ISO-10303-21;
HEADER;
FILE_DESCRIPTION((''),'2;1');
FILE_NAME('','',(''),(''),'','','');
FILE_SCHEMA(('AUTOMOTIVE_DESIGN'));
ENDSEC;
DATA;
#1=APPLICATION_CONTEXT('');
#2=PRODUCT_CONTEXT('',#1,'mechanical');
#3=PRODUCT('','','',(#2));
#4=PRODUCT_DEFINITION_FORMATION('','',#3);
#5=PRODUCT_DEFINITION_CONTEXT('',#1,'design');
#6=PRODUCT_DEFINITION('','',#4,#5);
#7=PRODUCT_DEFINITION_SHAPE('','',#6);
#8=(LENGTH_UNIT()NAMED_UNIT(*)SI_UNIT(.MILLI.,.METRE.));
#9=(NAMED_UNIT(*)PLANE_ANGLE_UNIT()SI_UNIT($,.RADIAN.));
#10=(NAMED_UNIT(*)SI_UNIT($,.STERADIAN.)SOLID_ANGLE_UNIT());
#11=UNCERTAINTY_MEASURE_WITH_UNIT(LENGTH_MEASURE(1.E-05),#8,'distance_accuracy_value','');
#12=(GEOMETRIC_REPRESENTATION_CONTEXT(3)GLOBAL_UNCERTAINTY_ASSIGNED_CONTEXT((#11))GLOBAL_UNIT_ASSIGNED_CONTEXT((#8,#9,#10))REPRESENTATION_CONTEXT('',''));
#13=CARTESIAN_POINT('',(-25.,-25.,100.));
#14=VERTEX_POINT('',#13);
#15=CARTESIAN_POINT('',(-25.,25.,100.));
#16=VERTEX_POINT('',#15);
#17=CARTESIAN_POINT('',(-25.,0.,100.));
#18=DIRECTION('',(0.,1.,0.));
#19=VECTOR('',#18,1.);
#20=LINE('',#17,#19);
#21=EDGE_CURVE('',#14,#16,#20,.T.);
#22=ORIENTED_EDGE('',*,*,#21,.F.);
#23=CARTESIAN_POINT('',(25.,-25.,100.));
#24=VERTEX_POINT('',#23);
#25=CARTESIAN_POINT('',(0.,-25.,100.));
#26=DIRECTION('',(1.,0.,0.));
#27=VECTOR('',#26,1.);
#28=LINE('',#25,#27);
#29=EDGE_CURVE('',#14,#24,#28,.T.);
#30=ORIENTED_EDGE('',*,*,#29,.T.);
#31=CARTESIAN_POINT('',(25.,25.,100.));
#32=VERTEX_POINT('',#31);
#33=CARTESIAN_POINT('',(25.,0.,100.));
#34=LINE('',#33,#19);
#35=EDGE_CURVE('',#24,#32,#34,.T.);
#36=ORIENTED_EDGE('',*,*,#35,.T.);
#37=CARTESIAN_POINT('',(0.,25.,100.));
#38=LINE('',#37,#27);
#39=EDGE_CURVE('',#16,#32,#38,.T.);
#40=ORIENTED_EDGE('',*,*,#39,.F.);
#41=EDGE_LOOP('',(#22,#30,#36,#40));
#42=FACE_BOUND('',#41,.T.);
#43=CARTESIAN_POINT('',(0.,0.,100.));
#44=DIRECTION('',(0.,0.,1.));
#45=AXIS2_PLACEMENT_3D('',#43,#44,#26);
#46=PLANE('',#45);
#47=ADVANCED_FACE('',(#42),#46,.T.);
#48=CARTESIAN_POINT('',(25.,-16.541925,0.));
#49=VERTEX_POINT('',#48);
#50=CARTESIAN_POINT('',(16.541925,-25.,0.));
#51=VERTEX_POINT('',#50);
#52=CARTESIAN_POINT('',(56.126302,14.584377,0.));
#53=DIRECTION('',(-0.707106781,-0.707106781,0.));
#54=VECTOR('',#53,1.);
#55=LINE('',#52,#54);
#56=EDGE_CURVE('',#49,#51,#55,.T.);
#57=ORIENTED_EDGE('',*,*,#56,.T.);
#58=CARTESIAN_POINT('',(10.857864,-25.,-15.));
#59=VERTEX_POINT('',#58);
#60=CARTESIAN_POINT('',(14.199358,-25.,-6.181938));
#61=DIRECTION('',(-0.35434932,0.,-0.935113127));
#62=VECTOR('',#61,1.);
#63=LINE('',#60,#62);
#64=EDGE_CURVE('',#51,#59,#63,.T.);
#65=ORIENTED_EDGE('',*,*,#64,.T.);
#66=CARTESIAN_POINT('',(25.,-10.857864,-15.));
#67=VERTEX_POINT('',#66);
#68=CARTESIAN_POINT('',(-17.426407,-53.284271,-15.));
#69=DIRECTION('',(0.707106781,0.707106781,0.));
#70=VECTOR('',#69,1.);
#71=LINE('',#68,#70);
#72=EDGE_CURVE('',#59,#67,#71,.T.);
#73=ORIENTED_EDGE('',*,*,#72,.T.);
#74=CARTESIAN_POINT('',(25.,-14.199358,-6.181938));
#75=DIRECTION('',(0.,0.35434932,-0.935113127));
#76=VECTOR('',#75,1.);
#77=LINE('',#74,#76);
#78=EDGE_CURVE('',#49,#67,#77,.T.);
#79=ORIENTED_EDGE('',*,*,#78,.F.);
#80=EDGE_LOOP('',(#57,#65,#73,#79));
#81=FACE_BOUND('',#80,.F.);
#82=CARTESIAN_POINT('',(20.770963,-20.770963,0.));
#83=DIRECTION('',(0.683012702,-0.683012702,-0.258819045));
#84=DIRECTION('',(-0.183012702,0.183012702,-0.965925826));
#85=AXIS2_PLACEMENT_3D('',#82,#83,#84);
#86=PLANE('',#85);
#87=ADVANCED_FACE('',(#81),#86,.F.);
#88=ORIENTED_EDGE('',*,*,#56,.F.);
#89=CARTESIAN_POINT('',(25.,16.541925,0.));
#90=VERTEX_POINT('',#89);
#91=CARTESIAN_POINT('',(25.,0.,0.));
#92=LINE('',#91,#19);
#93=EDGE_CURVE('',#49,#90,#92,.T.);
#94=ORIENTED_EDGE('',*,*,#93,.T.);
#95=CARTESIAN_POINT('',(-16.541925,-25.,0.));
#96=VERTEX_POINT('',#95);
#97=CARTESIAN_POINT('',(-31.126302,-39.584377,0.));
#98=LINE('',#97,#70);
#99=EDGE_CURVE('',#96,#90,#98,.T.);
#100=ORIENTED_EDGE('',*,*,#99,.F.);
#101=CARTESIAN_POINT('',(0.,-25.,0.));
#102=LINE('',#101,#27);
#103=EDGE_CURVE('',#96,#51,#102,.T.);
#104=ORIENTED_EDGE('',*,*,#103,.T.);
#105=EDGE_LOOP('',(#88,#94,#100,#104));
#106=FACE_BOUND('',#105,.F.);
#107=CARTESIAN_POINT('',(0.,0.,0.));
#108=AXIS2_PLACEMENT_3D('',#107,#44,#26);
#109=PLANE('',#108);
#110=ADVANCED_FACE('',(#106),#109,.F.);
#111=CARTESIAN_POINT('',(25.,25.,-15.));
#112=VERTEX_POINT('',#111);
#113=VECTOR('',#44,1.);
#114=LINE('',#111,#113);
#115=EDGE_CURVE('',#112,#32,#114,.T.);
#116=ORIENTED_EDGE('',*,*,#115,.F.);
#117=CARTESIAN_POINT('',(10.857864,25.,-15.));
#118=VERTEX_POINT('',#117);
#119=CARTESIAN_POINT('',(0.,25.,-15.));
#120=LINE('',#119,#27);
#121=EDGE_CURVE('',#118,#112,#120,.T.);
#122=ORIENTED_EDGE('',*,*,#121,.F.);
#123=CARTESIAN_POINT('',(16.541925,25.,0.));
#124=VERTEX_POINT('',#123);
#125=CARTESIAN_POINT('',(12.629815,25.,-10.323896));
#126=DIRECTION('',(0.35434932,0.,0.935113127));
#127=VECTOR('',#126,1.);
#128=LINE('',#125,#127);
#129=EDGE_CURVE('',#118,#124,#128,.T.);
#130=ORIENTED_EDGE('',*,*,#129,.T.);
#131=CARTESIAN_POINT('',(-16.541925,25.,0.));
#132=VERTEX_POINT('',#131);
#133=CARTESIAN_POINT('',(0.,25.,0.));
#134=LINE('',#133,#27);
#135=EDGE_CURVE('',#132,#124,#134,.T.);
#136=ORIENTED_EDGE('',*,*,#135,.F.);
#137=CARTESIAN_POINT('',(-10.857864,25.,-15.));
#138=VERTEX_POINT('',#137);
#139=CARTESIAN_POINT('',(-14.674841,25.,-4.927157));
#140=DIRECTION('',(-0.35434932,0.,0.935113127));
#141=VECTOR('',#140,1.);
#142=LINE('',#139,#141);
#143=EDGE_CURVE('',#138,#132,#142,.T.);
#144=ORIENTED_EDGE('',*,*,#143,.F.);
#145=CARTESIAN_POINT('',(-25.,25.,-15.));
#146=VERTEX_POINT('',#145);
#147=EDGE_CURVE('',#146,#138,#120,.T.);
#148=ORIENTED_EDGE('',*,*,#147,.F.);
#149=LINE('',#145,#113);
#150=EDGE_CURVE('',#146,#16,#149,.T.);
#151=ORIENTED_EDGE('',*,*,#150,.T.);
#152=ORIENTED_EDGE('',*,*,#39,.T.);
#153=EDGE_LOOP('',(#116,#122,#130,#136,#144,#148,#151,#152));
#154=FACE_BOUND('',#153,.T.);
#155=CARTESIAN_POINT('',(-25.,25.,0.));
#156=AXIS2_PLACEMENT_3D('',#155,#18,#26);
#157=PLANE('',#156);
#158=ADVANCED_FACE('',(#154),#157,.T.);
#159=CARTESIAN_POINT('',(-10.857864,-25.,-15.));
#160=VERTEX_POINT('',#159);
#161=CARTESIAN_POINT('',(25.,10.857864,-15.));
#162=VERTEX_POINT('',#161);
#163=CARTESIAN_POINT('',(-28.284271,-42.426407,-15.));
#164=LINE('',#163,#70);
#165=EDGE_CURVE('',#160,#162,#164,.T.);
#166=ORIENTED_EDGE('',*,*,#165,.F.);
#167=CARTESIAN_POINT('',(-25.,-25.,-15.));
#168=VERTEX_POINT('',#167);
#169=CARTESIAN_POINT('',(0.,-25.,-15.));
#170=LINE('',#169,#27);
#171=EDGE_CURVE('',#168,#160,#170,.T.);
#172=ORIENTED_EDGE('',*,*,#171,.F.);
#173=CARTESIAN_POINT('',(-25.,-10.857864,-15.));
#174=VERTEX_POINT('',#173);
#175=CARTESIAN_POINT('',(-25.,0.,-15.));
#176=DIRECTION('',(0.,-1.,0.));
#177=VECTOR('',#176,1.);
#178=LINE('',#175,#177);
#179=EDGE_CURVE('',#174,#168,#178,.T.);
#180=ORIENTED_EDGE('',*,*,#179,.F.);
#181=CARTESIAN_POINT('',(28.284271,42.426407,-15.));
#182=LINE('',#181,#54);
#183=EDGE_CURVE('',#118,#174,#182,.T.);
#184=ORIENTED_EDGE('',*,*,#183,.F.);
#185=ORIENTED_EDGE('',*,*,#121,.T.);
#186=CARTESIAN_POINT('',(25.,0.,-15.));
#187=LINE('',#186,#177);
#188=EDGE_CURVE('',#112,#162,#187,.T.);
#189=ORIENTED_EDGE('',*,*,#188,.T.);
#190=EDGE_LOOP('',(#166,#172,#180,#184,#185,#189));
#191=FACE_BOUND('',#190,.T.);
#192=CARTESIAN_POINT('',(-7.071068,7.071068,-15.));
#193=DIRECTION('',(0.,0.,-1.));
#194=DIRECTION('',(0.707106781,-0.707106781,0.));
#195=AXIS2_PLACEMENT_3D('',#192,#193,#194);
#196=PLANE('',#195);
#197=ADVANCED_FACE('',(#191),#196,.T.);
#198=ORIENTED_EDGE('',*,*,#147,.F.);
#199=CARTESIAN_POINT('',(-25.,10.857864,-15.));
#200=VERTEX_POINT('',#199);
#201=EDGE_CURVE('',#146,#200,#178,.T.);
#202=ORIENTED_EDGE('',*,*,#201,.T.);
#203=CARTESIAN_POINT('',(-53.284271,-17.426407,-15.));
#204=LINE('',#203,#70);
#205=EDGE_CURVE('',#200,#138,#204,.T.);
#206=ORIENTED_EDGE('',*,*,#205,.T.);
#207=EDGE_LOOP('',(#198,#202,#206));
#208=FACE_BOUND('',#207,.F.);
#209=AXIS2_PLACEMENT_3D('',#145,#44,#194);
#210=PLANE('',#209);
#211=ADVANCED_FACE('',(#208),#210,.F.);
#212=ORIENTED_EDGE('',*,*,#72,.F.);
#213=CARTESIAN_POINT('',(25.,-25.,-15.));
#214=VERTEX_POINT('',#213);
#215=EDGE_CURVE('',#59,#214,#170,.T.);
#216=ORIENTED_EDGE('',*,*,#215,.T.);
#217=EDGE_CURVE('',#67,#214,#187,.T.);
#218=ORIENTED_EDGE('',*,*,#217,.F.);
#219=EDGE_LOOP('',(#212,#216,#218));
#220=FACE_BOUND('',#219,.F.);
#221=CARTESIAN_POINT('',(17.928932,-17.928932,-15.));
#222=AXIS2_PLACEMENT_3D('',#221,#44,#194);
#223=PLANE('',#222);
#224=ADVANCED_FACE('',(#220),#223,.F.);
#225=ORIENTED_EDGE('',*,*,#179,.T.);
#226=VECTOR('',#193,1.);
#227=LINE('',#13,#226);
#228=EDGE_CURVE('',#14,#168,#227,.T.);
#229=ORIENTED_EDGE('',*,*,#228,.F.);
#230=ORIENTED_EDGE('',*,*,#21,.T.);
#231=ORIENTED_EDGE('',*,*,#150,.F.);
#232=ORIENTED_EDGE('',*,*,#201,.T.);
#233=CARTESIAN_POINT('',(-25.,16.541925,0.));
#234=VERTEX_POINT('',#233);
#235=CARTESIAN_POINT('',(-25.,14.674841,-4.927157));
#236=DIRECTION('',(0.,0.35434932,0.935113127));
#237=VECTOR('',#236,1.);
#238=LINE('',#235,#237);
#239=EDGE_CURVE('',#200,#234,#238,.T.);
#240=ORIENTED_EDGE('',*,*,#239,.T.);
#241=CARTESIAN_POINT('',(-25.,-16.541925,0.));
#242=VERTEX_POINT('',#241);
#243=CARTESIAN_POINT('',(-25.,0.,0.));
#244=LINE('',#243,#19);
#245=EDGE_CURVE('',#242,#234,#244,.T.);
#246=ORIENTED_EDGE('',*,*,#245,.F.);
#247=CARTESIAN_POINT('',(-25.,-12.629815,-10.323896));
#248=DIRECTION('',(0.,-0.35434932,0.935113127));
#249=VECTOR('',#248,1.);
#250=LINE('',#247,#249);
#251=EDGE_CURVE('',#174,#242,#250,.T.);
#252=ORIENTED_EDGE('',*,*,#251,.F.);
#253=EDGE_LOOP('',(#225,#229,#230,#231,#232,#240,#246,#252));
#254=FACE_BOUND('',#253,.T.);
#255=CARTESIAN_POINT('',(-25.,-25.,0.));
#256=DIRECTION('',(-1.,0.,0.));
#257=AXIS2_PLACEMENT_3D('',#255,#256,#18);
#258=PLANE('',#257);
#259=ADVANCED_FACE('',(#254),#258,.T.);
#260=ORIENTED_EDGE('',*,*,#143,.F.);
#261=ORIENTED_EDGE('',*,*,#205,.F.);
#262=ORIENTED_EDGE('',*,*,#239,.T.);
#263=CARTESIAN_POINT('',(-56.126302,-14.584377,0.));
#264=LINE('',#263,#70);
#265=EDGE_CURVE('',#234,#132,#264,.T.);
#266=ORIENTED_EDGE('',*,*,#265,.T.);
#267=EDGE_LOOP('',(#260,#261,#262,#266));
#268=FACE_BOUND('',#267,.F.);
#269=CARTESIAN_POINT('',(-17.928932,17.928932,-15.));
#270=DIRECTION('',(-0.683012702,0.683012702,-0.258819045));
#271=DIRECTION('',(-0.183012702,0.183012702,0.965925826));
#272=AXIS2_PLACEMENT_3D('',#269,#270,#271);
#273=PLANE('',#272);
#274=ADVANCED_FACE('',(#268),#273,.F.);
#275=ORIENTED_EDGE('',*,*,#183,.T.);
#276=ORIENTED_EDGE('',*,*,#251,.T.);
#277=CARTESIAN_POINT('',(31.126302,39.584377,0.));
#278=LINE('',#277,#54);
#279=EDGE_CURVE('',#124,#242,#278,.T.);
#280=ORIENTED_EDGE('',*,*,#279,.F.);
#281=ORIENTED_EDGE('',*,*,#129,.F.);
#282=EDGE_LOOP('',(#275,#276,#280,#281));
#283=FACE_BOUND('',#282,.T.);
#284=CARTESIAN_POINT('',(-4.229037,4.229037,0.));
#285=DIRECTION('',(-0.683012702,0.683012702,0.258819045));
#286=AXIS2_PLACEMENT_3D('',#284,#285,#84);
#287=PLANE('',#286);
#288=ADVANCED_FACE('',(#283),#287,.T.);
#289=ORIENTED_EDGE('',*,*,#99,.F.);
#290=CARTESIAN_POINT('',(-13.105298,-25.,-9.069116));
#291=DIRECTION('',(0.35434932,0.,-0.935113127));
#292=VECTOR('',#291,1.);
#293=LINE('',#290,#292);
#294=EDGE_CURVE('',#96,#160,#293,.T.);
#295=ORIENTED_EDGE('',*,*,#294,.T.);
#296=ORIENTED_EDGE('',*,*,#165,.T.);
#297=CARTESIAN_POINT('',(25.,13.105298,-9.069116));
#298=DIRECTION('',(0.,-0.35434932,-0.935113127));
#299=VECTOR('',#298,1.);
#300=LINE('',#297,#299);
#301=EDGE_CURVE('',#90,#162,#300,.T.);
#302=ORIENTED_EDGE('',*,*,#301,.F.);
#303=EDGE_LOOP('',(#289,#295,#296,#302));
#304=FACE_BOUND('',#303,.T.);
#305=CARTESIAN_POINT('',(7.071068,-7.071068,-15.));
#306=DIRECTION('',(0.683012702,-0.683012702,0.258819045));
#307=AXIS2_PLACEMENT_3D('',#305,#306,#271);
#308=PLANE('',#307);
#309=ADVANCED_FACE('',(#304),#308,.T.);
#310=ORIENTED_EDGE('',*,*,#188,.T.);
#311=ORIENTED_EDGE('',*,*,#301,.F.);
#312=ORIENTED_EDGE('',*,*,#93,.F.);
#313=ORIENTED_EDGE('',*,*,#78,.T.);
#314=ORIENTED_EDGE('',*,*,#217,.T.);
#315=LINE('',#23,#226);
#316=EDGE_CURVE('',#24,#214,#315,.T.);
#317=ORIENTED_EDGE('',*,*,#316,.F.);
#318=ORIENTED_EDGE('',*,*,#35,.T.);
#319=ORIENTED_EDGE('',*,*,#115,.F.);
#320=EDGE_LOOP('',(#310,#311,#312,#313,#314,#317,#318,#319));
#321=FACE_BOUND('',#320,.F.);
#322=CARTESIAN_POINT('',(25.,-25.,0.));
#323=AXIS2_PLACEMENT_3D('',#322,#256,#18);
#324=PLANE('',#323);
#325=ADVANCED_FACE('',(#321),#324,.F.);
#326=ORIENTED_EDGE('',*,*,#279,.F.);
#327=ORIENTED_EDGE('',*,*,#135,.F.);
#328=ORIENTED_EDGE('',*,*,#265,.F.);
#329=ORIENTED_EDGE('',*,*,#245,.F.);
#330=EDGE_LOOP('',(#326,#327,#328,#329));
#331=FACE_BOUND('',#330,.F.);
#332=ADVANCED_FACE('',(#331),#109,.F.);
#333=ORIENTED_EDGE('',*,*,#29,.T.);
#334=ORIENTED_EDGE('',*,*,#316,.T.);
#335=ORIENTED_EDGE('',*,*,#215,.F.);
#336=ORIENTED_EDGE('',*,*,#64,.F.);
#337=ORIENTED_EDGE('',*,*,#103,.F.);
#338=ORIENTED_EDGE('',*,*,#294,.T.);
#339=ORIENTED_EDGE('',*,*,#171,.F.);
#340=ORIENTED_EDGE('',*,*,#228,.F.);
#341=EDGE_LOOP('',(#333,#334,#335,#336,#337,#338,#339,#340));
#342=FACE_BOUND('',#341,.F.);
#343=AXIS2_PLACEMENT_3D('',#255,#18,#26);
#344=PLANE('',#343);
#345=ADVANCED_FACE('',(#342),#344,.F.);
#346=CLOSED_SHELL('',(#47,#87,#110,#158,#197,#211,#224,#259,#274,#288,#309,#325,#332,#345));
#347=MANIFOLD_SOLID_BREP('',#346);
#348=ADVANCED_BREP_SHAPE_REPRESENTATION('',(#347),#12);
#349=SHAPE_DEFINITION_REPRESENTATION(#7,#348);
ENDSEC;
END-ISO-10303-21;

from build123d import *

# Parameters (mm, degrees)
F0_W     = 50
F0_H     = 50
F1_DEPTH = 100
F4_DEPTH = 50
F5_W     = 150
F5_H     = 150
F5_W_2   = 50
F5_H_2   = 50
F6_DEPTH = 15


with BuildPart() as f1:
    # F0 (on Top) → F1 (new body)
    with BuildSketch(Plane.XY):
        Rectangle(F0_W, F0_H)
    extrude(amount=F1_DEPTH)

    # F3 (on 3pt) → F4 (join, symmetric)
    with BuildSketch(Plane(origin=(0, 0, 0), x_dir=(0.7071067812, -0.7071067812, 0), z_dir=(-0.7071067812, -0.7071067812, 0))):
        Polygon((-29.3745769458, 0), (-35.3553390593, 0), (-35.3553390593, -15), (-25.3553390593, -15), align=None)
        Polygon((35.3553390593, -15), (35.3553390593, 0), (29.3745769458, 0), (25.3553390593, -15), align=None)
        Polygon((5.9807621135, 0), (-5.9807621135, 0), (-10, -15), (10, -15), align=None)
    extrude(amount=F4_DEPTH, both=True)

    # F5 (on face) → F6 (cut, through all)
    with BuildSketch(Plane(origin=(0, 0, 0), x_dir=(1, 0, 0), z_dir=(0, 0, -1))):
        Rectangle(F5_W, F5_H)
        Rectangle(F5_W_2, F5_H_2, mode=Mode.SUBTRACT)
    extrude(amount=F6_DEPTH, mode=Mode.SUBTRACT)


solid = f1.part
